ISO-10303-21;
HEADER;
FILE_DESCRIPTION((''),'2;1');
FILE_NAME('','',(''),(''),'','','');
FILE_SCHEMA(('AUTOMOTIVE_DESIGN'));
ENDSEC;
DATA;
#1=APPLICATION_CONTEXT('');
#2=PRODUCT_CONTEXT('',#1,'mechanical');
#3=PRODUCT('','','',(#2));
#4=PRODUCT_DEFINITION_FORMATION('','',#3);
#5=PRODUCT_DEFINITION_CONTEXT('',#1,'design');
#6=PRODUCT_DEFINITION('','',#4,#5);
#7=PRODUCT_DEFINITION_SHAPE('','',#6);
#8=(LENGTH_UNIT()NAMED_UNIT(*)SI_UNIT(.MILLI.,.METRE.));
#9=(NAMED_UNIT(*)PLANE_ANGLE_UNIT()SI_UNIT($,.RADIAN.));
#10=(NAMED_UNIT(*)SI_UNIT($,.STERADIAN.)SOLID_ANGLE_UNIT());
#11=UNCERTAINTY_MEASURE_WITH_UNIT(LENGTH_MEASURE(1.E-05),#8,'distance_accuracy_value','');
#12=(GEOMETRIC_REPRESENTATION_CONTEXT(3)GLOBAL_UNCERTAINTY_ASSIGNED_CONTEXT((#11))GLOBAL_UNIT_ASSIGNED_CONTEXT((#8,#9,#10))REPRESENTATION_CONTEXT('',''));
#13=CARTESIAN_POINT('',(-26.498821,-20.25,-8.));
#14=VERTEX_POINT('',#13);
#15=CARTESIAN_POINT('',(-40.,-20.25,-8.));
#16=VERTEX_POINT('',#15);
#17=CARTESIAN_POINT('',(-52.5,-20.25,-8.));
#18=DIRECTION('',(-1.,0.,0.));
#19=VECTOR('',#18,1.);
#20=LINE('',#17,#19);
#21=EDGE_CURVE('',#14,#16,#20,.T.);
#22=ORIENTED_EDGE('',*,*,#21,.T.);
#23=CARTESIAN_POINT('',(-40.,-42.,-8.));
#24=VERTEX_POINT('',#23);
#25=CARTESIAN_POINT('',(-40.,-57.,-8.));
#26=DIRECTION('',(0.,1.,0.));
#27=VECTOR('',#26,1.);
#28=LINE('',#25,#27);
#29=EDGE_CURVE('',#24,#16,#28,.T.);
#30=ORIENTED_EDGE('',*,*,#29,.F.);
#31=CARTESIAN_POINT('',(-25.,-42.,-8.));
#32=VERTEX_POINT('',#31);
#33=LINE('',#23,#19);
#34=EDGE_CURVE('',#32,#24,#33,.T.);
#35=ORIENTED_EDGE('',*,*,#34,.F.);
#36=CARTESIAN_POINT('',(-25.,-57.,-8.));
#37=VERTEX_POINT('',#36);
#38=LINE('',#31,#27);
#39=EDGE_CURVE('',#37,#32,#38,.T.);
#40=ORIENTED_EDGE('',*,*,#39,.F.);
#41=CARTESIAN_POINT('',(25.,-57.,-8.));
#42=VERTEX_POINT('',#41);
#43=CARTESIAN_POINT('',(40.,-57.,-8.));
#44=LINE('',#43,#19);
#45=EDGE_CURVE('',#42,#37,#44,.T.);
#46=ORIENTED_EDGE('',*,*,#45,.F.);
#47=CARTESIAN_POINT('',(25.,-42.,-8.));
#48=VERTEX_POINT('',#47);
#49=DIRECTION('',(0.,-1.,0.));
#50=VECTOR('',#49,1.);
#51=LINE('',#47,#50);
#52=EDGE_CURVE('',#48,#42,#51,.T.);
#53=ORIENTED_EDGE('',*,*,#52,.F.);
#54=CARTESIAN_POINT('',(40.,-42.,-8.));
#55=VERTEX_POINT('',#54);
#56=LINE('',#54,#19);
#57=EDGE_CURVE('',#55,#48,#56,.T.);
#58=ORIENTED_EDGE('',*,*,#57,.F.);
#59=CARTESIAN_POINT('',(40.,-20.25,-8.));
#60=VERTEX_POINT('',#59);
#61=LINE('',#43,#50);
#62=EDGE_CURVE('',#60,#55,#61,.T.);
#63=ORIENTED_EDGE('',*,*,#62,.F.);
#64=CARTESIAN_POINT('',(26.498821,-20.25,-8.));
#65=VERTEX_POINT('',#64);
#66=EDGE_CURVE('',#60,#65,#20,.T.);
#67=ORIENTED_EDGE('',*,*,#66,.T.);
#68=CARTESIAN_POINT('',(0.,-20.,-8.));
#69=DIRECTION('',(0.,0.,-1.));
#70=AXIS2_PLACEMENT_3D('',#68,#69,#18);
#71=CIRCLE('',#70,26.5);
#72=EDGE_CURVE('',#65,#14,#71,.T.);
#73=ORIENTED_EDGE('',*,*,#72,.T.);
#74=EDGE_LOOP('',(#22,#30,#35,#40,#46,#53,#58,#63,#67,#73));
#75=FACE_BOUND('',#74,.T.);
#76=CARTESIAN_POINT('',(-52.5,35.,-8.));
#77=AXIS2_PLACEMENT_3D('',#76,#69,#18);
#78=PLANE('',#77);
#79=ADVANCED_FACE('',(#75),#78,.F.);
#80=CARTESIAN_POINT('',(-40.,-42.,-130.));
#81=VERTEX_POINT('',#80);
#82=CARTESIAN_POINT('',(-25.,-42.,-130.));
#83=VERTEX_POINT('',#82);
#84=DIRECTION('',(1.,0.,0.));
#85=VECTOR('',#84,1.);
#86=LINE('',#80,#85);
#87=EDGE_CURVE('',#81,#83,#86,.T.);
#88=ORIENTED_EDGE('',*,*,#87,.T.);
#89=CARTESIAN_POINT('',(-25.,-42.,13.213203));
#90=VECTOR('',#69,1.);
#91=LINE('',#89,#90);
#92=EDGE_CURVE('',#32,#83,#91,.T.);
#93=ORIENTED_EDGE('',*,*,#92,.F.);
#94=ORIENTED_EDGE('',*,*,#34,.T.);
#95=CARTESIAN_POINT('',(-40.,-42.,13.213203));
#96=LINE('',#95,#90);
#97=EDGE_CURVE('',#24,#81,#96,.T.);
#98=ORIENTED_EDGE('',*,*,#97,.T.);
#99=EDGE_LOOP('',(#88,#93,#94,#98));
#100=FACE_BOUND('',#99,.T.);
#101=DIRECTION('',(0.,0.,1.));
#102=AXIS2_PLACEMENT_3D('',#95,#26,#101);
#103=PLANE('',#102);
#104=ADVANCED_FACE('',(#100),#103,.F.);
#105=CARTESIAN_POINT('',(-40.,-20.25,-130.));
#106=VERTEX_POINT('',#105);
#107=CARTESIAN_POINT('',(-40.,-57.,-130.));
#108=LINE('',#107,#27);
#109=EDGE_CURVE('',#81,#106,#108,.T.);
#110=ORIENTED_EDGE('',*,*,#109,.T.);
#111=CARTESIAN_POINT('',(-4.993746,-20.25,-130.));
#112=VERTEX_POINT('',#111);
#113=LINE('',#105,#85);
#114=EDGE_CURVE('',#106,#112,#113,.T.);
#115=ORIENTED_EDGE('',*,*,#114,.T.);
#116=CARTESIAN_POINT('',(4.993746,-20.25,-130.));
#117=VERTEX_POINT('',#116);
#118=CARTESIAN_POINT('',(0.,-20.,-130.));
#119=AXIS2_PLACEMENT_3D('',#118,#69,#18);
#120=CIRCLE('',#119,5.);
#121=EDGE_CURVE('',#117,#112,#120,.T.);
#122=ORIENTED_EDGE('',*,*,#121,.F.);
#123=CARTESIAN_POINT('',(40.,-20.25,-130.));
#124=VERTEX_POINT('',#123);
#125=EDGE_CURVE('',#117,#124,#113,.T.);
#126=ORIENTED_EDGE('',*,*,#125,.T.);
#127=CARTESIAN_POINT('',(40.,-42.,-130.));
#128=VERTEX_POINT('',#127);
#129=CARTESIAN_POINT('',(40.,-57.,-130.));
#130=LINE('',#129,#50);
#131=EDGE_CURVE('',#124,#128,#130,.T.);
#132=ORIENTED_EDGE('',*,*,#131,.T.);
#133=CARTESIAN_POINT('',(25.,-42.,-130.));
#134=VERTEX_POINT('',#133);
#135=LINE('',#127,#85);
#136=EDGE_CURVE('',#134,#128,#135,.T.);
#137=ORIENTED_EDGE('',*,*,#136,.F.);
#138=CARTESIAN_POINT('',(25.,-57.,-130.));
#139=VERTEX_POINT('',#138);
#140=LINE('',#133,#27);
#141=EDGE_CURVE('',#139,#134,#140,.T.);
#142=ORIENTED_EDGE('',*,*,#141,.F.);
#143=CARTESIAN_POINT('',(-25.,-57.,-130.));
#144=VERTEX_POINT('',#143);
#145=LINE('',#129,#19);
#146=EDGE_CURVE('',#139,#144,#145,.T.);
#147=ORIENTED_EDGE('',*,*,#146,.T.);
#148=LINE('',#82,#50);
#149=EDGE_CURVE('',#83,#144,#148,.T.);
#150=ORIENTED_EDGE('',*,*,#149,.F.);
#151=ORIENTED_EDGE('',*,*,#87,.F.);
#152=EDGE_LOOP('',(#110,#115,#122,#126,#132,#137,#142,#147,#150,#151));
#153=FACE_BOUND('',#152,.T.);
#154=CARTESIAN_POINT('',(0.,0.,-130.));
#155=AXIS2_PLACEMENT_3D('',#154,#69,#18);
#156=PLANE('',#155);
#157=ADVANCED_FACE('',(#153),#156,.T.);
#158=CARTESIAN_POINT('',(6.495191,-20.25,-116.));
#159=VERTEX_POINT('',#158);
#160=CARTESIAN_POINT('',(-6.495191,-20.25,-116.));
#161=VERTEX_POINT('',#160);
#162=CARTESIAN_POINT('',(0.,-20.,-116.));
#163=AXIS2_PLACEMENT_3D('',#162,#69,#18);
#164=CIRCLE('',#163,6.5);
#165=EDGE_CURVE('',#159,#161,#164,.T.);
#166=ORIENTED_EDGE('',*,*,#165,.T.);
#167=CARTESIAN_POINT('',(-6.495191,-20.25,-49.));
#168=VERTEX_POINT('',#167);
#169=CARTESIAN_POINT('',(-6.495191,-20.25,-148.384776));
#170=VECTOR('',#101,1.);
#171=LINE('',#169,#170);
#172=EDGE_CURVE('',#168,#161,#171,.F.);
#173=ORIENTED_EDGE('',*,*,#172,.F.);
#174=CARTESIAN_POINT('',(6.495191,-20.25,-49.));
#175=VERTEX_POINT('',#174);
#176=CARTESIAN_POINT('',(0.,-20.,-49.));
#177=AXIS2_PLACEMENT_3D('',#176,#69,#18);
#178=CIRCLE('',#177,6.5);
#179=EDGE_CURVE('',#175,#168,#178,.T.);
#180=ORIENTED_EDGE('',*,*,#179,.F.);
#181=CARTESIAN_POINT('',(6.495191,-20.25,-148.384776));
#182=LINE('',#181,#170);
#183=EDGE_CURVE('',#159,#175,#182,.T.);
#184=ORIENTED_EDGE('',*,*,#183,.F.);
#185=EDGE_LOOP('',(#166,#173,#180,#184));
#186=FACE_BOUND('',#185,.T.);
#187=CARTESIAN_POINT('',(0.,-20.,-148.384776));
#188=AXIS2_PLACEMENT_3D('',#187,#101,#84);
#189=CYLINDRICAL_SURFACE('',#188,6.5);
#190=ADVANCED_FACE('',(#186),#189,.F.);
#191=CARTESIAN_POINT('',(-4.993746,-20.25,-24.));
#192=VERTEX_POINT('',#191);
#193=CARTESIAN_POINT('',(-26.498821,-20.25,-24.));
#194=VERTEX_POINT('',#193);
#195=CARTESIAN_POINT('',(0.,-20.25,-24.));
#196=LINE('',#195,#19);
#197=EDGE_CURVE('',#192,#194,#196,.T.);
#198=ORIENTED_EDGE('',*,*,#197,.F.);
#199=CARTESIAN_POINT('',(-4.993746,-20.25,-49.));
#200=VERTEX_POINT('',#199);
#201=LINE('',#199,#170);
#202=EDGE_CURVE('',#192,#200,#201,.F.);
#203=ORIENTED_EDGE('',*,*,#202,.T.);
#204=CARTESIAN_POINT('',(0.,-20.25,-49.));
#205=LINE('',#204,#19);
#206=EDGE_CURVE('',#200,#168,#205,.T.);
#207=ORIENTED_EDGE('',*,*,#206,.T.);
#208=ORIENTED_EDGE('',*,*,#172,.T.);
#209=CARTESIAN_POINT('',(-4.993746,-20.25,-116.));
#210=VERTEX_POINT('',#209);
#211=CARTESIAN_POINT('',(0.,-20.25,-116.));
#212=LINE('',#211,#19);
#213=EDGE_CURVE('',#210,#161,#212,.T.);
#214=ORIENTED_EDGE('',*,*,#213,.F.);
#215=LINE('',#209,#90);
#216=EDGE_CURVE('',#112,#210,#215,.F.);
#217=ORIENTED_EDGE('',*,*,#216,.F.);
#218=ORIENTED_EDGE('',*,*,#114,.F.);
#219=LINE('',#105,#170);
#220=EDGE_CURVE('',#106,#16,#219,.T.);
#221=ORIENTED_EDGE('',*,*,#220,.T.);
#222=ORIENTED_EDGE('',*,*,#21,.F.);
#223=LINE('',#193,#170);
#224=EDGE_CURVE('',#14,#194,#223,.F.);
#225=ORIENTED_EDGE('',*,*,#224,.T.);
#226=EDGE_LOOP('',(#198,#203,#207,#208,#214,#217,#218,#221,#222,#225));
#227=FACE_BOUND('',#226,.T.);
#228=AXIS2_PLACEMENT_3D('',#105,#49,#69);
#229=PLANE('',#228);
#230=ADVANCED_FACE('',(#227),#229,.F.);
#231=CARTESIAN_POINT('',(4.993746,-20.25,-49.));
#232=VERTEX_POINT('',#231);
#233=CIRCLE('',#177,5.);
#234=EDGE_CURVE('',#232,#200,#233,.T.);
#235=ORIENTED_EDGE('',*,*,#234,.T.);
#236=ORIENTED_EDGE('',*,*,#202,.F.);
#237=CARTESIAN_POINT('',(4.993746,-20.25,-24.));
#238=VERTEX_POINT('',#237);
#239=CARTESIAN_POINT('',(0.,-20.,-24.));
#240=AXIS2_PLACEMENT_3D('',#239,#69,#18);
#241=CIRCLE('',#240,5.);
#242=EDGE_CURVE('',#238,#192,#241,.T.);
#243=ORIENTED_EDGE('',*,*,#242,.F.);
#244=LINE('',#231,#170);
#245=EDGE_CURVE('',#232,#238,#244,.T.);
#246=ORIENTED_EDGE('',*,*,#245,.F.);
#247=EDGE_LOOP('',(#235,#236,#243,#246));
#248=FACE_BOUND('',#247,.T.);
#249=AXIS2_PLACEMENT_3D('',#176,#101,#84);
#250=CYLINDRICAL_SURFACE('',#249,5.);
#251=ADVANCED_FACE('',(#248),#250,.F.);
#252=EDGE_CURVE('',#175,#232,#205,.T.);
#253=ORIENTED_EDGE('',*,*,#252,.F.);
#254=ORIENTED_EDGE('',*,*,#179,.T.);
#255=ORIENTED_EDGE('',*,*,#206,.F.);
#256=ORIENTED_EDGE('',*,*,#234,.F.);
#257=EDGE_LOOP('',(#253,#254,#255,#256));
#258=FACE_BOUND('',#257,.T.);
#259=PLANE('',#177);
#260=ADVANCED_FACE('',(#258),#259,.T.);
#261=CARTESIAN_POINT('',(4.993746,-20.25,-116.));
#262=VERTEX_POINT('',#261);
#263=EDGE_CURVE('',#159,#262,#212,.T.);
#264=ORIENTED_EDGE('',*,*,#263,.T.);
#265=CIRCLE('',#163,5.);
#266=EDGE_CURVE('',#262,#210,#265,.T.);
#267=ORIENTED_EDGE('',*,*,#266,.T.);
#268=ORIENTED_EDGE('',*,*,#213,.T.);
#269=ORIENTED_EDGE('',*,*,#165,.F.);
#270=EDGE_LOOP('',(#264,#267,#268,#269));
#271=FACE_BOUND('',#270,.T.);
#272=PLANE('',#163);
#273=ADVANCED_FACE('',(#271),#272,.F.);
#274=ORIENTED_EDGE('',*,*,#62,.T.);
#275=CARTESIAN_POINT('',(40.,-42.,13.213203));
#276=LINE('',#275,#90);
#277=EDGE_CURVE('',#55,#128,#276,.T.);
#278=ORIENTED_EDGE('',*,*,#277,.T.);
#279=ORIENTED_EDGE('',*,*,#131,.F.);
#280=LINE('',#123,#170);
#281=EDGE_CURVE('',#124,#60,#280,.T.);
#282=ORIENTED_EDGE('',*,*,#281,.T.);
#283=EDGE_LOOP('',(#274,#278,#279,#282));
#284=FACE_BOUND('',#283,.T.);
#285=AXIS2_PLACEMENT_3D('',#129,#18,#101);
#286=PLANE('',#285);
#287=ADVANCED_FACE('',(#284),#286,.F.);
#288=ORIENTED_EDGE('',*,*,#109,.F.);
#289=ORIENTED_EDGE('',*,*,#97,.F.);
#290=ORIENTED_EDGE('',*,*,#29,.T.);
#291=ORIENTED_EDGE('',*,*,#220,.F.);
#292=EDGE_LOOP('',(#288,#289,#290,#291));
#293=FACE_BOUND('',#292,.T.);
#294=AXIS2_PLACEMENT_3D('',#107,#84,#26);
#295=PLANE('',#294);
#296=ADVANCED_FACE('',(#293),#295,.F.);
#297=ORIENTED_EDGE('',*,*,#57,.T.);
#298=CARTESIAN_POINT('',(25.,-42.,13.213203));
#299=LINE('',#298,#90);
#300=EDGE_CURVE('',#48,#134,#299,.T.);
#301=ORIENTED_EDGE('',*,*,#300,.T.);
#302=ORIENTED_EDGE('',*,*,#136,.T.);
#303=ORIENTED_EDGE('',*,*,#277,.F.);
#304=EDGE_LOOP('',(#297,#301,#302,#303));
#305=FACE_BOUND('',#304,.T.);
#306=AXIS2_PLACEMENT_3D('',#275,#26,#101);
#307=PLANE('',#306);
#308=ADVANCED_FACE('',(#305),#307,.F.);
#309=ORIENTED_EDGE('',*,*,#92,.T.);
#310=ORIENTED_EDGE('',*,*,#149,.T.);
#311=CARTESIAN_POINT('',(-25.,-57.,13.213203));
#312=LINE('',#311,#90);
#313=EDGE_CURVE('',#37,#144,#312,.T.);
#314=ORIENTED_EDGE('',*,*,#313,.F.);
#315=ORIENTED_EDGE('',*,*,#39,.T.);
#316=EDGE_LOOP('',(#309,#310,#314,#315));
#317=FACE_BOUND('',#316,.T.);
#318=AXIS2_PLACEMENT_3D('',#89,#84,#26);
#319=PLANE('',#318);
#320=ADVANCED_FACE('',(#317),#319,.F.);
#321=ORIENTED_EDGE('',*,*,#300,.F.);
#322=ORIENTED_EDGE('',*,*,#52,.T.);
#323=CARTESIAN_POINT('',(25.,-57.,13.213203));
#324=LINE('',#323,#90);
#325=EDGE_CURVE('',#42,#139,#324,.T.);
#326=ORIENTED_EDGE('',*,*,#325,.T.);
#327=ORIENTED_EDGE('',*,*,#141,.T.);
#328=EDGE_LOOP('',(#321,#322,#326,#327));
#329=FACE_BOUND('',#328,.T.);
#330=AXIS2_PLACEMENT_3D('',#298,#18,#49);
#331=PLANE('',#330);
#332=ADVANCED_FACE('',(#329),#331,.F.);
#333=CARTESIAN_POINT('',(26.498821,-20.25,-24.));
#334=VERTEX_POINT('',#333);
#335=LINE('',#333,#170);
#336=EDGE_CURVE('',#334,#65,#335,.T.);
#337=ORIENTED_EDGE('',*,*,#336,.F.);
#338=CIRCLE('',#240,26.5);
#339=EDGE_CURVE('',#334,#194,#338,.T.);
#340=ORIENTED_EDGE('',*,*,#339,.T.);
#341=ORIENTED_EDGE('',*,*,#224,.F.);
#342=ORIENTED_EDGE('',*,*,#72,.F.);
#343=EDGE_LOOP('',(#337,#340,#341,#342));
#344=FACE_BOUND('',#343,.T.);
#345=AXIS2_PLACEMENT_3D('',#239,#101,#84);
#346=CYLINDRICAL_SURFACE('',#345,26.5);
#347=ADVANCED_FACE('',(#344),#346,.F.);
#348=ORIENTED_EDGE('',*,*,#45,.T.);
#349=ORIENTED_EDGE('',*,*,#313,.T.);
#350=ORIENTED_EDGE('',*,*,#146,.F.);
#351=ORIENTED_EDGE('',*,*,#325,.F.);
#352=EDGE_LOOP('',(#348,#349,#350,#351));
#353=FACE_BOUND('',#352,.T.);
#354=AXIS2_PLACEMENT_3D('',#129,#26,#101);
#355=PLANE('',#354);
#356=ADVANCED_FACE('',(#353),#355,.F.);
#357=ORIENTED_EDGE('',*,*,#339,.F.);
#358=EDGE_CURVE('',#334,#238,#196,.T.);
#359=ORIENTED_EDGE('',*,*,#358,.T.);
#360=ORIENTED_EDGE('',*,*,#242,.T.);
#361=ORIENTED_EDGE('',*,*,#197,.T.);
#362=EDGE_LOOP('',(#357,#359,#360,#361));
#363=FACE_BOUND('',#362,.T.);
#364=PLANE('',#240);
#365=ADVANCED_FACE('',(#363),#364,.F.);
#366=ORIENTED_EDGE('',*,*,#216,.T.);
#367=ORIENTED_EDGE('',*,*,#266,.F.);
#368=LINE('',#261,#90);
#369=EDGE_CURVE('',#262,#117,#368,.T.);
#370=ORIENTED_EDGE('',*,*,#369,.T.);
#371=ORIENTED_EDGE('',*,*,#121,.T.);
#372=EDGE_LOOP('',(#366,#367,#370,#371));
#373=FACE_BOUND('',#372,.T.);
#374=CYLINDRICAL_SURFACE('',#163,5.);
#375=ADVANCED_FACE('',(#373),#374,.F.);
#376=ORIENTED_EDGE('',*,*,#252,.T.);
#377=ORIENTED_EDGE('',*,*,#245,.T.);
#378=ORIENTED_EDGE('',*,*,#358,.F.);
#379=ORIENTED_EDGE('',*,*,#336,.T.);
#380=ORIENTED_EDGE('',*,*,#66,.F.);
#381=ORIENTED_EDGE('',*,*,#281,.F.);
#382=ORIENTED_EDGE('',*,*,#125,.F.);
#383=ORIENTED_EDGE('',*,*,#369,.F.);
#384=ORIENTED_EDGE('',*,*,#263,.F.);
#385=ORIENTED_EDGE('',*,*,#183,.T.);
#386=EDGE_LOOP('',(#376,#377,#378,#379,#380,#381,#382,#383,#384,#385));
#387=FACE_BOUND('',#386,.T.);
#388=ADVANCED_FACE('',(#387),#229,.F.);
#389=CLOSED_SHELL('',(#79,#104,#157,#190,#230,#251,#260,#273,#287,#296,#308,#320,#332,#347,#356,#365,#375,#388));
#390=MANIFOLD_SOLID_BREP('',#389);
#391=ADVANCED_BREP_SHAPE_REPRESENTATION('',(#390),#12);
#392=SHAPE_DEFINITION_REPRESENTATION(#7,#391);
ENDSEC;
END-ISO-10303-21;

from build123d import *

# Parameters (mm, degrees)
BOSS_EXTRUDE1_DEPTH     = 8
SKETCH3_R               = 13.75
CUT_EXTRUDE1_DEPTH      = 8
SKETCH4_W               = 80
SKETCH4_H               = 37
BOSS_EXTRUDE2_DEPTH     = 122
SKETCH5_R               = 26.5
CUT_EXTRUDE2_DEPTH      = 16
SKETCH6_R               = 6.5
CUT_EXTRUDE3_DEPTH      = 122
BOSS_EXTRUDE3_START     = 16
BOSS_EXTRUDE3_DEPTH     = 25
BOSS_EXTRUDE4_START     = 108
BOSS_EXTRUDE4_DEPTH     = 14
SKETCH10_W              = 150
SKETCH10_H              = 175
CUT_EXTRUDE4_DEPTH      = 8
CUT_EXTRUDE5_DEPTH      = 141.474196919
CUT_EXTRUDE5_DEPTH_BACK = 141.474196919
SKETCH12_W              = 80
SKETCH12_H              = 0.25
SKETCH13_W              = 15
SKETCH13_H              = 15
CUT_EXTRUDE6_DEPTH      = 122


with BuildPart() as part:
    # Sketch2 → Boss-Extrude1 (new body)
    with BuildSketch(Plane.XY):
        with BuildLine():
            Line((-35, 60), (-35, 50))
            ThreePointArc((-35, 50), (-37.196699141, 44.696699141), (-42.5, 42.5))
            Line((-42.5, 42.5), (-52.5, 42.5))
            ThreePointArc((-52.5, 42.5), (-57.803300859, 40.303300859), (-60, 35))
            Line((-60, 35), (-60, -60))
            ThreePointArc((-60, -60), (-57.803300859, -65.303300859), (-52.5, -67.5))
            Line((-52.5, -67.5), (52.5, -67.5))
            ThreePointArc((52.5, -67.5), (57.803300859, -65.303300859), (60, -60))
            Line((60, -60), (60, 35))
            ThreePointArc((60, 35), (57.803300859, 40.303300859), (52.5, 42.5))
            Line((52.5, 42.5), (42.5, 42.5))
            ThreePointArc((42.5, 42.5), (37.196699141, 44.696699141), (35, 50))
            Line((35, 50), (35, 60))
            ThreePointArc((35, 60), (32.803300859, 65.303300859), (27.5, 67.5))
            Line((27.5, 67.5), (-27.5, 67.5))
            ThreePointArc((-27.5, 67.5), (-32.803300859, 65.303300859), (-35, 60))
        make_face()
    extrude(amount=-BOSS_EXTRUDE1_DEPTH)

    # Sketch3 → Cut-Extrude1 (cut)
    with BuildSketch(Plane.XY):
        with Locations((0, -20)):
            Circle(SKETCH3_R)
    extrude(amount=-CUT_EXTRUDE1_DEPTH, mode=Mode.SUBTRACT)

    # Sketch4 → Boss-Extrude2 (add)
    with BuildSketch(Plane(origin=(0, 0, -8), x_dir=(-1, 0, 0), z_dir=(0, 0, -1))):
        with Locations((0, -38.5)):
            Rectangle(SKETCH4_W, SKETCH4_H)
    extrude(amount=BOSS_EXTRUDE2_DEPTH)

    # Sketch5 → Cut-Extrude2 (cut)
    with BuildSketch(Plane(origin=(0, 0, -8), x_dir=(-1, 0, 0), z_dir=(0, 0, -1))):
        with Locations((0, -20)):
            Circle(SKETCH5_R)
    extrude(amount=CUT_EXTRUDE2_DEPTH, mode=Mode.SUBTRACT)

    # Sketch6 → Cut-Extrude3 (cut)
    with BuildSketch(Plane(origin=(0, 0, -8), x_dir=(-1, 0, 0), z_dir=(0, 0, -1))):
        with Locations((0, -20)):
            Circle(SKETCH6_R)
    extrude(amount=CUT_EXTRUDE3_DEPTH, mode=Mode.SUBTRACT)

    # Sketch8 → Boss-Extrude3 (add)
    with BuildSketch(Plane(origin=(0, 0, -8), x_dir=(-1, 0, 0), z_dir=(0, 0, -1)).offset(BOSS_EXTRUDE3_START)):
        with BuildLine():
            Line((-6.5, -20), (-5, -20))
            ThreePointArc((-5, -20), (0, -25), (5, -20))
            Line((5, -20), (6.5, -20))
            ThreePointArc((6.5, -20), (0, -26.5), (-6.5, -20))
        make_face()
    extrude(amount=BOSS_EXTRUDE3_DEPTH)

    # Sketch9 → Boss-Extrude4 (add)
    with BuildSketch(Plane(origin=(0, 0, -8), x_dir=(-1, 0, 0), z_dir=(0, 0, -1)).offset(BOSS_EXTRUDE4_START)):
        with BuildLine():
            Line((-6.5, -20), (-5, -20))
            ThreePointArc((-5, -20), (0, -25), (5, -20))
            Line((5, -20), (6.5, -20))
            ThreePointArc((6.5, -20), (0, -26.5), (-6.5, -20))
        make_face()
    extrude(amount=BOSS_EXTRUDE4_DEPTH)

    # Sketch10 → Cut-Extrude4 (cut)
    with BuildSketch(Plane.XY):
        Rectangle(SKETCH10_W, SKETCH10_H)
    extrude(amount=-CUT_EXTRUDE4_DEPTH, mode=Mode.SUBTRACT)

    # Sketch12 → Cut-Extrude5 (cut, two sides: drawn at the far end of the back side and taken through both)
    with BuildSketch(Plane.XY.offset(-8).offset(-CUT_EXTRUDE5_DEPTH_BACK)):
        with Locations((0, -20.125)):
            Rectangle(SKETCH12_W, SKETCH12_H)
    extrude(amount=CUT_EXTRUDE5_DEPTH + CUT_EXTRUDE5_DEPTH_BACK, mode=Mode.SUBTRACT)

    # Sketch13 → Cut-Extrude6 (cut)
    with BuildSketch(Plane(origin=(0, 0, -130), x_dir=(-1, 0, 0), z_dir=(0, 0, -1))):
        with Locations((32.5, -49.5)):
            Rectangle(SKETCH13_W, SKETCH13_H)
        with Locations((-32.5, -49.5)):
            Rectangle(SKETCH13_W, SKETCH13_H)
    extrude(amount=-CUT_EXTRUDE6_DEPTH, mode=Mode.SUBTRACT)


solid = part.part
